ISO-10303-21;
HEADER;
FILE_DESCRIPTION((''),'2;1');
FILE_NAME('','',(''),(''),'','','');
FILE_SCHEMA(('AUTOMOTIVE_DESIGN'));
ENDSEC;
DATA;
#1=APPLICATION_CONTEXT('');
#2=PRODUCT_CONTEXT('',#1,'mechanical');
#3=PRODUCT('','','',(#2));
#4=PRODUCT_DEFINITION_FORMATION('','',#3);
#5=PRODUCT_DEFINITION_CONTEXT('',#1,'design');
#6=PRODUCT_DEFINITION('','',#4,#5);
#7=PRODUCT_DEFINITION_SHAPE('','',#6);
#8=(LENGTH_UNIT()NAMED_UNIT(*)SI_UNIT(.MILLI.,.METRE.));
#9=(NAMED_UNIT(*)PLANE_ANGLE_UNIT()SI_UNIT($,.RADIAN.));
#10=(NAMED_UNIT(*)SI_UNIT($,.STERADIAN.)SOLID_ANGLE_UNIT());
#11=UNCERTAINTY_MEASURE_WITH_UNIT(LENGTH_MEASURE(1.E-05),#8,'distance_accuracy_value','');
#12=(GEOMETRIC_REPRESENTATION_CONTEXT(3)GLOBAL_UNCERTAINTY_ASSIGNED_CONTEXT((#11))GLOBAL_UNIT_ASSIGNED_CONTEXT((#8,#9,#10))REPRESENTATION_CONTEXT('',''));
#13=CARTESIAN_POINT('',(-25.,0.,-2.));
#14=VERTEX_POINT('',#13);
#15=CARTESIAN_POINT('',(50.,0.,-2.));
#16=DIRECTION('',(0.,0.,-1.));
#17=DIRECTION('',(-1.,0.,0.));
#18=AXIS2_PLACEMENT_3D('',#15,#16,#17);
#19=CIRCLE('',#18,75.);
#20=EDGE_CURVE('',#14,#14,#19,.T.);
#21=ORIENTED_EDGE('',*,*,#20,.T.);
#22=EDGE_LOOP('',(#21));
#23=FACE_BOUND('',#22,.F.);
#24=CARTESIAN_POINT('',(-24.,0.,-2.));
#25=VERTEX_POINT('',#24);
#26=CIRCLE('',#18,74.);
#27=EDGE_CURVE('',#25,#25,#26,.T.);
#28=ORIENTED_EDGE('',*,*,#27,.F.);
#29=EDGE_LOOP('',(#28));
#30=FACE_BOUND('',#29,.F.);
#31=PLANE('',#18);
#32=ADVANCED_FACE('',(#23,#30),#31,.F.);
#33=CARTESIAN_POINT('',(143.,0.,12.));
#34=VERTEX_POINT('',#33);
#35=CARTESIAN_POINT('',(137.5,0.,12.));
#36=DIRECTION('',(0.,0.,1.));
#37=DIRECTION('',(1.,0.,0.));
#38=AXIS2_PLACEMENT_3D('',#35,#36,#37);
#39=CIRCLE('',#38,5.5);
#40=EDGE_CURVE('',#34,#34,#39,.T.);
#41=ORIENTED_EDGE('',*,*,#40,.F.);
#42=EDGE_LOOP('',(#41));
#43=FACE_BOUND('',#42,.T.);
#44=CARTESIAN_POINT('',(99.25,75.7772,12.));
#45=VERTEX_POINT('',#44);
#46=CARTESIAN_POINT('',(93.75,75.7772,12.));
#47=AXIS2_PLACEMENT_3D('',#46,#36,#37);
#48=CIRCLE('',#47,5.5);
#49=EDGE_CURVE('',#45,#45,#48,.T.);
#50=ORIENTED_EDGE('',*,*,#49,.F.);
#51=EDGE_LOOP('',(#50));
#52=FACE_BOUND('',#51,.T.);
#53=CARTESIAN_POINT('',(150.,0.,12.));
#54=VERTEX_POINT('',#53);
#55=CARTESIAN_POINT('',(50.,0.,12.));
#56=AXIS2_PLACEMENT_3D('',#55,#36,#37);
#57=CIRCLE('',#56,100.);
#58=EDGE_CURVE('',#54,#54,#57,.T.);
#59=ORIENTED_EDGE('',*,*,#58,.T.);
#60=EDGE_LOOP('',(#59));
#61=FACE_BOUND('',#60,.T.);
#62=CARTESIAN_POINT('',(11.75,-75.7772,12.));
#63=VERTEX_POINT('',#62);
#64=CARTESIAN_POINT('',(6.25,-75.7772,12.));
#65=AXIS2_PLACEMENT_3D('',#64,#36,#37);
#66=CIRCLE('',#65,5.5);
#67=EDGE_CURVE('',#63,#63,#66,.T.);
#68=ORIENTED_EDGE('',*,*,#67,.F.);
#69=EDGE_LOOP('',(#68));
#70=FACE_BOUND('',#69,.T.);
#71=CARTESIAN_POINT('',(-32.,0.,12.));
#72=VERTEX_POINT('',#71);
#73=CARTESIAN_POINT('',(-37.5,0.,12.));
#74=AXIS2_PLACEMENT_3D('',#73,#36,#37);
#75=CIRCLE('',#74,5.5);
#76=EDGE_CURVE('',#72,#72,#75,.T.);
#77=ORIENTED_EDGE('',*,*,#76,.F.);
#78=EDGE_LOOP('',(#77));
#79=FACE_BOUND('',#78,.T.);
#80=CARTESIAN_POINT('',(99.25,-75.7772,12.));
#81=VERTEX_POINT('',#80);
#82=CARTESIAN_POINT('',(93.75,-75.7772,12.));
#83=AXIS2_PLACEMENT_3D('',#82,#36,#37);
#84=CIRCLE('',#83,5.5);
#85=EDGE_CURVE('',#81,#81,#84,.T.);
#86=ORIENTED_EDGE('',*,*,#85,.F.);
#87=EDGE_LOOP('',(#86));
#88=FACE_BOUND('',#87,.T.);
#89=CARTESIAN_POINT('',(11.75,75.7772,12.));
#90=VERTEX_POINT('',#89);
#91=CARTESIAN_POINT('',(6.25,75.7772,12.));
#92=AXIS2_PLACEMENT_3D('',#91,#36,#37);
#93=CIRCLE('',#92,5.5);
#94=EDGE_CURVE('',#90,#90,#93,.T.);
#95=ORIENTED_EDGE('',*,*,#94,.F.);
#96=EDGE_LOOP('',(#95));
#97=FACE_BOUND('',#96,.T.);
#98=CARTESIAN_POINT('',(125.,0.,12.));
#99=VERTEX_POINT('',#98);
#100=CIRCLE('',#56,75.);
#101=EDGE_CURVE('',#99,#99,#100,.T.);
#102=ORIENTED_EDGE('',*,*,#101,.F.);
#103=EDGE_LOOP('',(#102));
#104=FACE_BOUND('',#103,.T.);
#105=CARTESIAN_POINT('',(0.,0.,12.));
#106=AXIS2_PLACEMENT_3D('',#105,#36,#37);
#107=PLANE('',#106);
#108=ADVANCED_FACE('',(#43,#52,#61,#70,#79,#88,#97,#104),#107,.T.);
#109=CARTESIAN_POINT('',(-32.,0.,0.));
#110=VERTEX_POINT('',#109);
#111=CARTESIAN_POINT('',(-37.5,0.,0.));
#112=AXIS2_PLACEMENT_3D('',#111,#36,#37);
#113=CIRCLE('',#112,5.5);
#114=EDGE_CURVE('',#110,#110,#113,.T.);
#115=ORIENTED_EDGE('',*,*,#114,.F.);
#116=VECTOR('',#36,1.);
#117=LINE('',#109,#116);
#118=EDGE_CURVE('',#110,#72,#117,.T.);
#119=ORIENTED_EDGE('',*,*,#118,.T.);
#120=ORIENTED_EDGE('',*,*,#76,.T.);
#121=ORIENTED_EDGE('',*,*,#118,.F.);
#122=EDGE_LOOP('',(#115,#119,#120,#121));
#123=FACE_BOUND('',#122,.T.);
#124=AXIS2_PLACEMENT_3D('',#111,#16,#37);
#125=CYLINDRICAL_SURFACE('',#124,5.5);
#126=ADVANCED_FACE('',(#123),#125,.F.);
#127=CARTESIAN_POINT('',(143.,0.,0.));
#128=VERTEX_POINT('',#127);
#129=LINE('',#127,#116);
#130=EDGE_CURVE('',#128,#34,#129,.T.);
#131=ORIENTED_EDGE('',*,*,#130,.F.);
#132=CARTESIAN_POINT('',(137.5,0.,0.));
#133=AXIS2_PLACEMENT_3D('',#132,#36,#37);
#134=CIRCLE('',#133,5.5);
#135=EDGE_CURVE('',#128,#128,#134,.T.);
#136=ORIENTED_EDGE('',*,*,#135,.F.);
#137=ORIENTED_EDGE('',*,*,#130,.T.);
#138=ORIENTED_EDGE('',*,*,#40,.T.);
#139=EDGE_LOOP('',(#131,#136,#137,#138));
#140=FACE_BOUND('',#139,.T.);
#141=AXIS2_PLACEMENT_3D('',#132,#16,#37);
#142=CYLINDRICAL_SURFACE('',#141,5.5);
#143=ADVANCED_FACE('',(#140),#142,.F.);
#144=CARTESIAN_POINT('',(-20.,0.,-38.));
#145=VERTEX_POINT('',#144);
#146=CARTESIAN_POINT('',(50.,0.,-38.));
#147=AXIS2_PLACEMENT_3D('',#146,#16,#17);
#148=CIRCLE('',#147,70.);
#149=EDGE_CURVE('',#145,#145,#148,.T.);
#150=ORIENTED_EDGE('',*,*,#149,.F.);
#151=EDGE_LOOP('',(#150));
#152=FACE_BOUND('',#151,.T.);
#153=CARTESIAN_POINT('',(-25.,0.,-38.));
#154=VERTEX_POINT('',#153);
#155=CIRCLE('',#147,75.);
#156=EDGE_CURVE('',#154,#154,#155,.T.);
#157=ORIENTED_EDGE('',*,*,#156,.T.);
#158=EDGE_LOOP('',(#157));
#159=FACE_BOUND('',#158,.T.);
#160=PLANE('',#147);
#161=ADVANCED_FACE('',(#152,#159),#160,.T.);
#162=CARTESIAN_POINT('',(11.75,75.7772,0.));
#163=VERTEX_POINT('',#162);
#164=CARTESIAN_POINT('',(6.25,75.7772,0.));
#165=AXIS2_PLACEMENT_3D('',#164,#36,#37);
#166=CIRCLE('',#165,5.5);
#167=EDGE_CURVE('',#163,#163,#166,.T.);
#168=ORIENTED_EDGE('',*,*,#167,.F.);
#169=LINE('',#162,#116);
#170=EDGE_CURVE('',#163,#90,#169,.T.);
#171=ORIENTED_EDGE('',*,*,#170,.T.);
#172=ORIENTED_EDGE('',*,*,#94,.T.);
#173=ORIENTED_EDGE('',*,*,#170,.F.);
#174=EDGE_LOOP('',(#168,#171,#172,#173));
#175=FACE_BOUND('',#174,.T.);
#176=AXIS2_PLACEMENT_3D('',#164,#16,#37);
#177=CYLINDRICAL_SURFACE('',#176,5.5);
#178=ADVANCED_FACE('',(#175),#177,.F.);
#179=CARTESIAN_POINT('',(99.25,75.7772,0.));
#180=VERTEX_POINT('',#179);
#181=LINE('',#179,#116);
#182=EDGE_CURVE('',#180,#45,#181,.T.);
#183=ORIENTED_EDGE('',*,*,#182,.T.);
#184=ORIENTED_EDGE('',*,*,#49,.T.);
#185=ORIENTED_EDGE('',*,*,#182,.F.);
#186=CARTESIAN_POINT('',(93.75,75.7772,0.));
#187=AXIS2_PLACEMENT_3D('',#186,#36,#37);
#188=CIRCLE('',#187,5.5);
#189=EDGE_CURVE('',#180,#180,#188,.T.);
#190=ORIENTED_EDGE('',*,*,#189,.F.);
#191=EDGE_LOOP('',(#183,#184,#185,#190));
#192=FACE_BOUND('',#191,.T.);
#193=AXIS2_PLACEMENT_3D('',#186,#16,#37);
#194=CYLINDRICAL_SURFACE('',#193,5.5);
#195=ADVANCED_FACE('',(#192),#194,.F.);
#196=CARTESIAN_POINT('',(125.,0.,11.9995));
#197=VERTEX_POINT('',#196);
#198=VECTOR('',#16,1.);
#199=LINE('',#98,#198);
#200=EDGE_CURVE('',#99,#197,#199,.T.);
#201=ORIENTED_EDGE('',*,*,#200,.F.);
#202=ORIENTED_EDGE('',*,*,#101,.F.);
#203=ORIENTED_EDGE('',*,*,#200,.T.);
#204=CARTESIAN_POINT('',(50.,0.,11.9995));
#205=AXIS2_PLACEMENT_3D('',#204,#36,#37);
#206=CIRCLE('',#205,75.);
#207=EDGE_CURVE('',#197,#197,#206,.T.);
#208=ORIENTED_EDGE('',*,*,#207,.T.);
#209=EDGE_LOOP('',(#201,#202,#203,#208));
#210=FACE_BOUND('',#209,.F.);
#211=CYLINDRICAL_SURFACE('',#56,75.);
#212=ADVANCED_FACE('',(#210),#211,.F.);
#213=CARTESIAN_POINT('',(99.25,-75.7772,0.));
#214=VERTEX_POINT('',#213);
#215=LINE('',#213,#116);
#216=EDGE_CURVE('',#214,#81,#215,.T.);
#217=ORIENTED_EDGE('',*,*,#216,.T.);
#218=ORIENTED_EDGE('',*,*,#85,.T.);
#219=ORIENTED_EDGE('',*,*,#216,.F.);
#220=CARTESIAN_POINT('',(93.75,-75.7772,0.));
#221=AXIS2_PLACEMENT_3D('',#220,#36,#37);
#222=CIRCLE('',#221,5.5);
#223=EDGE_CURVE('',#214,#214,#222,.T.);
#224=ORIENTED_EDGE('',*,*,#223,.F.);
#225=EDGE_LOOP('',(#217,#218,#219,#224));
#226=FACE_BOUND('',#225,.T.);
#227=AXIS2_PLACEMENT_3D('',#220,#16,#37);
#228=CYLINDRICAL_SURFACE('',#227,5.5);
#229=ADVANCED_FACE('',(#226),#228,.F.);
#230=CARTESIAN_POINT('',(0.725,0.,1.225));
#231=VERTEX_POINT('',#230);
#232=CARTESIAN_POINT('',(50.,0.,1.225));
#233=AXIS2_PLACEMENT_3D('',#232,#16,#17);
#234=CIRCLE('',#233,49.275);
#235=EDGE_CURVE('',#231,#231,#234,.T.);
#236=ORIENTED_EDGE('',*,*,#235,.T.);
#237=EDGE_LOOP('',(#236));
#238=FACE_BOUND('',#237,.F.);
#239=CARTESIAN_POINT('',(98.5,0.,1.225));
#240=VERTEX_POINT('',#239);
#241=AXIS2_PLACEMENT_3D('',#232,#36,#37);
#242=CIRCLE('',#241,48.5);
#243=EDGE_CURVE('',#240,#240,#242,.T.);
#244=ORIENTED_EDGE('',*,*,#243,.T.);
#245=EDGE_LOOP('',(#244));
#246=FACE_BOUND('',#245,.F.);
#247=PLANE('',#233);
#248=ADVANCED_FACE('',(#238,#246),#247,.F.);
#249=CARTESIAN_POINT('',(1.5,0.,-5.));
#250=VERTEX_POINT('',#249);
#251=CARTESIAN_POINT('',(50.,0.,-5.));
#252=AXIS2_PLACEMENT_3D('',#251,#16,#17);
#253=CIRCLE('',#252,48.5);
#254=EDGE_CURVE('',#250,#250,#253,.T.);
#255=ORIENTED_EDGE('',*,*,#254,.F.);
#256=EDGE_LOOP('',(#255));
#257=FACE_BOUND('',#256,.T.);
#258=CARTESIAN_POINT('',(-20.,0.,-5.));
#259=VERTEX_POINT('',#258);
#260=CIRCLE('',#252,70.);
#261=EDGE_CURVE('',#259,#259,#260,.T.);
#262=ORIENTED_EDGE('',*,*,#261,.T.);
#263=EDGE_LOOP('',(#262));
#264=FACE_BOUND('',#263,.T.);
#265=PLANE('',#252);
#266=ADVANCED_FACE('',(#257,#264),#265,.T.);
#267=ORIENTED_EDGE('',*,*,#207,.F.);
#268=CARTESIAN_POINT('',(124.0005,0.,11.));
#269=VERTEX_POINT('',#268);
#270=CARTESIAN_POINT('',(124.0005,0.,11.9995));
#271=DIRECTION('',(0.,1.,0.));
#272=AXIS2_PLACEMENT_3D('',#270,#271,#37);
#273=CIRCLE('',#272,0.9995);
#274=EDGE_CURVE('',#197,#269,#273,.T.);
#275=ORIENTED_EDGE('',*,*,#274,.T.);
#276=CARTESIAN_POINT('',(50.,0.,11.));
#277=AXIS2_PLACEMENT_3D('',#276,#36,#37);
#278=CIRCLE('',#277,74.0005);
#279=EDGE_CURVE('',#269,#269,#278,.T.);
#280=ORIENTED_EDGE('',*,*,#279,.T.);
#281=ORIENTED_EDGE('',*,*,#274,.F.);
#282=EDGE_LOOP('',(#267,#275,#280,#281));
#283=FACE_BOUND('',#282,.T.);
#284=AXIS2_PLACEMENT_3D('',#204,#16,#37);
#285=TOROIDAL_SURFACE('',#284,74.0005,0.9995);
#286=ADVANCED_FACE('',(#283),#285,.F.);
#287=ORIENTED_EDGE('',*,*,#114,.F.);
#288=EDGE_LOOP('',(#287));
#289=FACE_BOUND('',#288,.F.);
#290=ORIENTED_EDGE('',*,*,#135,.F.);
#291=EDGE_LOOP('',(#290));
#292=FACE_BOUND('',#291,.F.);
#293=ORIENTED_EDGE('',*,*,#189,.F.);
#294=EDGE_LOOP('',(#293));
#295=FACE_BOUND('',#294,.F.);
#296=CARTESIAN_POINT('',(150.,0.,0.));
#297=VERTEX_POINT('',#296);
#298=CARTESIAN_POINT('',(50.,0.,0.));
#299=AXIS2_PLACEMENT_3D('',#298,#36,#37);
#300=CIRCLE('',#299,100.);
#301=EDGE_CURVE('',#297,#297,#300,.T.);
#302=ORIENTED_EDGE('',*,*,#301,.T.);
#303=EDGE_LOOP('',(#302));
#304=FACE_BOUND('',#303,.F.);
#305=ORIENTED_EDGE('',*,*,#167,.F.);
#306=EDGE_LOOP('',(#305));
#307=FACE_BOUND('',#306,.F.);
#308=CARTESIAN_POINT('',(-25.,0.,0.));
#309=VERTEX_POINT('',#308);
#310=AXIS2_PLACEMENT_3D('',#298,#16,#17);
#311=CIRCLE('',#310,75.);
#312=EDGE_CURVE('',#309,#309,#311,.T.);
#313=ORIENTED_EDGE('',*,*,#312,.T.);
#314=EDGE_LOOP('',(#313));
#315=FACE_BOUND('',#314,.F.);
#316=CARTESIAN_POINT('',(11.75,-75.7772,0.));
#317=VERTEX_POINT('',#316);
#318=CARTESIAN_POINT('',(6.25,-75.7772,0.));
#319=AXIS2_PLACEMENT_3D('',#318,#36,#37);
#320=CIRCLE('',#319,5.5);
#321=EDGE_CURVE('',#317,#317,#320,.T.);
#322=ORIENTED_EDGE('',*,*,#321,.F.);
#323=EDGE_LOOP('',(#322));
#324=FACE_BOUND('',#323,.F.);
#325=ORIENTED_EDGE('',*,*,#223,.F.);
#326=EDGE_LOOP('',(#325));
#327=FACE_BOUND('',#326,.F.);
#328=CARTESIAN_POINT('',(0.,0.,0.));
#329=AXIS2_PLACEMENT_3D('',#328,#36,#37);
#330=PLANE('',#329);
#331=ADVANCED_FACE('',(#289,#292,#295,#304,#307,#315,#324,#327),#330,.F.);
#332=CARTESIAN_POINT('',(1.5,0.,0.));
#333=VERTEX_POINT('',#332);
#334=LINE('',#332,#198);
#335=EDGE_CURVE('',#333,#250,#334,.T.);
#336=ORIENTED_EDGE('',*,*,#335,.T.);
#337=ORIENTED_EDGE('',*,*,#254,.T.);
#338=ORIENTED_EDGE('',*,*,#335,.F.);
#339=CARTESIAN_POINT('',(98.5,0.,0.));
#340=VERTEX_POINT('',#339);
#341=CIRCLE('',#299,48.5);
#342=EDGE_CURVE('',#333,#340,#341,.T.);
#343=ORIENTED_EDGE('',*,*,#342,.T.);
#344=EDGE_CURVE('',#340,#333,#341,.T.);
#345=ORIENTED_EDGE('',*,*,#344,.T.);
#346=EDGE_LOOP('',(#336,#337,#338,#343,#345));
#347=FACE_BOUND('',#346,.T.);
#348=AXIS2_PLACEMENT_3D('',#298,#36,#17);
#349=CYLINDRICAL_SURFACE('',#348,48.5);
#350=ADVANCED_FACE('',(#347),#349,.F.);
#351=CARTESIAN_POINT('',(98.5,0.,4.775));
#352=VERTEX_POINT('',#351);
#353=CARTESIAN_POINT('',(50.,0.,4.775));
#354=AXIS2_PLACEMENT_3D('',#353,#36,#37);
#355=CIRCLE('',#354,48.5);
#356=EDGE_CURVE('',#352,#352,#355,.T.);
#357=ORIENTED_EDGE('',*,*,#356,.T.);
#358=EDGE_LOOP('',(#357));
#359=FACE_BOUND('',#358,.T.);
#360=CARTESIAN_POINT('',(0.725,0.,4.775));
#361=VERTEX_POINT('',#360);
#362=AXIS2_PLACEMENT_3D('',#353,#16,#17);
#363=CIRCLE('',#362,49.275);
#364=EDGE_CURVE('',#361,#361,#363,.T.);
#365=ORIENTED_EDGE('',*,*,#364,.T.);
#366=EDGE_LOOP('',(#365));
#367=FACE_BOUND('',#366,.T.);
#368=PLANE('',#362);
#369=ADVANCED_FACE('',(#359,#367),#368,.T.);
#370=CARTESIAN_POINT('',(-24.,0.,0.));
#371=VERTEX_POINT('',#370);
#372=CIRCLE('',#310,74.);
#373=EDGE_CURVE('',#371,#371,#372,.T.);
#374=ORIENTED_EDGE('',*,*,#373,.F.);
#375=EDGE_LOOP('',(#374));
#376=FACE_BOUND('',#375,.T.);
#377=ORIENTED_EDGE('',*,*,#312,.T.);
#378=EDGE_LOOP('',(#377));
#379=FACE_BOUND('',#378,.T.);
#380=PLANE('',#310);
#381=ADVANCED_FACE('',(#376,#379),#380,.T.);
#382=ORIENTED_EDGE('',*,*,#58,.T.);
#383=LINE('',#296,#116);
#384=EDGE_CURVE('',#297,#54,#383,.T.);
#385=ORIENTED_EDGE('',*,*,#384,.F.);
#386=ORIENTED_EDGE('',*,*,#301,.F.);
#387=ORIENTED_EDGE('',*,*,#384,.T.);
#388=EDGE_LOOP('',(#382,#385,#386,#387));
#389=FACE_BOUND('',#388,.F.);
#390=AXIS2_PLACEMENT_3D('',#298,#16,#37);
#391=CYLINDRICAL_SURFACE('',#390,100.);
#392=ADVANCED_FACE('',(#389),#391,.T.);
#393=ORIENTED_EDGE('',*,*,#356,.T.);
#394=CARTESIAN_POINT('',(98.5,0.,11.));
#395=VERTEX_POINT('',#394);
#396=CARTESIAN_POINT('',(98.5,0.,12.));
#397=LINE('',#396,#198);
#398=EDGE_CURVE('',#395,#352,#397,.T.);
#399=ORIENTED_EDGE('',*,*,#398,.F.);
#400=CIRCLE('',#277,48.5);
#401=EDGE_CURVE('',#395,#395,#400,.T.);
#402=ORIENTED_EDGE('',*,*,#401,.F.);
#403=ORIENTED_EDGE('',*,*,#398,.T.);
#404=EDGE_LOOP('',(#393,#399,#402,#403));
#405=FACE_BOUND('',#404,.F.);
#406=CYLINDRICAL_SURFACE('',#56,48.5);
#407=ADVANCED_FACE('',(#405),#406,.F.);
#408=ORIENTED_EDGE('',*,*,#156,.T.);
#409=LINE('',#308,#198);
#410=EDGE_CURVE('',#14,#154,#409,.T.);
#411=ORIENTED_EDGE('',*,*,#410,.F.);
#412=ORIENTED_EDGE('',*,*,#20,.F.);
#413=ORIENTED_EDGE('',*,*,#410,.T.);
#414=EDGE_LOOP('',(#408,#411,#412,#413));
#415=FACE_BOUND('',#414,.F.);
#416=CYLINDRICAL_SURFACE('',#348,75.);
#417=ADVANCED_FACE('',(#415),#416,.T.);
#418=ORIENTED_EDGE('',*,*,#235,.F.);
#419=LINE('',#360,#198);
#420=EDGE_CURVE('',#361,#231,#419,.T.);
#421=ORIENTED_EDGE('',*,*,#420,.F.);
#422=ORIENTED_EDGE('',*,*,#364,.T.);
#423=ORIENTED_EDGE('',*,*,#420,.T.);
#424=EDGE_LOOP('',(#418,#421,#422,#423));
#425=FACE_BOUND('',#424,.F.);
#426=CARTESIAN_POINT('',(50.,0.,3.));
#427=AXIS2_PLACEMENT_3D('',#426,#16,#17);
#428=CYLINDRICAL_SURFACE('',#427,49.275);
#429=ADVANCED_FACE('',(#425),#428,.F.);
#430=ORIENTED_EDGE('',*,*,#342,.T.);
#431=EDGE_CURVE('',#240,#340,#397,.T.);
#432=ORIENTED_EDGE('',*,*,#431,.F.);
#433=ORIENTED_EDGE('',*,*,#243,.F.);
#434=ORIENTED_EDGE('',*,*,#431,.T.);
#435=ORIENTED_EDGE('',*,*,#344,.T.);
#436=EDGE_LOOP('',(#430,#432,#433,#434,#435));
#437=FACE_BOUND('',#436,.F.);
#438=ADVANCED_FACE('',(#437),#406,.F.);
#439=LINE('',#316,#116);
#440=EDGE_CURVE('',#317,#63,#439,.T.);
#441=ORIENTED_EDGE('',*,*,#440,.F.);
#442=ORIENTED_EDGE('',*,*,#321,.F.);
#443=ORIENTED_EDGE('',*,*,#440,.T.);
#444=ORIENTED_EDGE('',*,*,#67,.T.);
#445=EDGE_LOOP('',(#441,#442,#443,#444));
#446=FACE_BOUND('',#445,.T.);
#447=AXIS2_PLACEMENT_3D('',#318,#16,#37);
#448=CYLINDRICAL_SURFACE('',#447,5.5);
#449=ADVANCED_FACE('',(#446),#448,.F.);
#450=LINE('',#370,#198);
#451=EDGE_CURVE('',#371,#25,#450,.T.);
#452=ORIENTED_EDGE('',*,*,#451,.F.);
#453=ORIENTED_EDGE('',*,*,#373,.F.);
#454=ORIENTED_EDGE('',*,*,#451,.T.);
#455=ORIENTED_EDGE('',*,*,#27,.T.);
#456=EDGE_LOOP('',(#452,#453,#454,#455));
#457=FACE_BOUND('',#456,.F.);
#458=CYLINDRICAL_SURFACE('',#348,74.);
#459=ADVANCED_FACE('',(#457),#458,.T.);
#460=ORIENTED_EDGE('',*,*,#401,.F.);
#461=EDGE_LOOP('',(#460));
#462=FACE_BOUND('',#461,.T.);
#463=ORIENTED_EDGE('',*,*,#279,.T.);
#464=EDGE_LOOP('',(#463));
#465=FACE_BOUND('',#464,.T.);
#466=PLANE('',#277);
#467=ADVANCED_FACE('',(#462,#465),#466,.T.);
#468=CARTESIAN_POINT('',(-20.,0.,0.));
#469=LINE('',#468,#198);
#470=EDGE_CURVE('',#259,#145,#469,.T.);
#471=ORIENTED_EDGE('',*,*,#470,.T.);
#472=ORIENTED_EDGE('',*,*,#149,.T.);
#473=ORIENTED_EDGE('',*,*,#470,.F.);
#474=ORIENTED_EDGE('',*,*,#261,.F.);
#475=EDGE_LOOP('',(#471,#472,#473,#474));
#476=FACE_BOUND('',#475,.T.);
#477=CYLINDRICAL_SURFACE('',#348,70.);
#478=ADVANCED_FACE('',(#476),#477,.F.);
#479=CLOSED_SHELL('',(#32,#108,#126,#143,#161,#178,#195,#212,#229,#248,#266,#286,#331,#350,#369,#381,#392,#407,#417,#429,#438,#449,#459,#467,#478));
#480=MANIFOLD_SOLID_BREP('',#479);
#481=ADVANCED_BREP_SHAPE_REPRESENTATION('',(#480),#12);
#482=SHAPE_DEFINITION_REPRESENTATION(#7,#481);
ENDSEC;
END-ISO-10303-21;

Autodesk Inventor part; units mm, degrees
ref_plane "YZ Plane" through (0, 0, 0) normal (1, 0, 0) x (0, 1, 0)
ref_plane "工作平面1" through (0, 0, 0) normal (0, 0, 1) x (1, 0, 0)
sketch "草图1" plane through (0, 0, 0) normal (0, 0, 1) x (1, 0, 0)
  arc A0 (50, 75) -> (50, -75) centre (50, 0) ccw construction
  line L0 (50, 75) -> (50, 100) construction
  arc A1 (50, 100) -> (50, -100) centre (50, 0) ccw construction
  line L1 (50, -100) -> (50, -75) construction
  circle A2 centre (50, 0) radius 100
  circle A3 centre (50, 0) radius 87.5 construction
  line L2 (190.8101, 0) -> (-90.8101, 0) construction
  circle A4 centre (137.5, 0) radius 5.5
  circle A5 centre (93.75, 75.7772) radius 5.5
  circle A6 centre (6.25, 75.7772) radius 5.5
  circle A7 centre (-37.5, 0) radius 5.5
  circle A8 centre (6.25, -75.7772) radius 5.5
  circle A9 centre (93.75, -75.7772) radius 5.5
  point P0 (0, 0)
  dimension "d0" = 175
  dimension "d1" = 11
  dimension "d4" = 360
extrude "拉伸1" add sketch "草图1" along normal blind 12
sketch "草图2" plane through (50, 0, 12) normal (0, 0, 1) x (1, 0, 0)
  circle A0 centre (0, 0) radius 48 construction
  circle A1 centre (0, 0) radius 48.5
  point P0 (-50, 0)
  dimension "d19" = 97
extrude "拉伸2" cut sketch "草图2" against normal up to surface (12 mm away)
sketch "草图3" plane through (50, 0, 0) normal (0, 0, -1) x (-1, 0, 0)
  circle A0 centre (0, 0) radius 100 projected
  circle A1 centre (0, 0) radius 75
  circle A2 centre (0, 0) radius 70
  point P0 (50, 0)
  dimension "d11" = 150
  dimension "d12" = 140
extrude "拉伸3" add sketch "草图3" along normal blind 38 contours A1
sketch "草图4" plane through (50, 0, 12) normal (0, 0, 1) x (1, 0, 0)
  circle A0 centre (0, 0) radius 48.5 construction
  circle A1 centre (0, 0) radius 75
  point P0 (-50, 0)
  dimension "d15" = 150
extrude "拉伸4" cut sketch "草图4" against normal blind 1
fillet "圆角1" radius 1 1 edges at (-25, 0, 11)
sketch "草图5" plane through (50, 0, 0) normal (0, 0, -1) x (-1, 0, 0)
  circle A0 centre (0, 0) radius 70 projected
  circle A1 centre (0, 0) radius 48.5 projected
  point P0 (50, 0)
extrude "拉伸5" add sketch "草图5" along normal blind 5
ref_plane "工作平面2" through (50, 0, 3) normal (0, 0, -1) x (-1, 0, 0)
sketch "草图6" plane through (50, 0, 3) normal (0, 0, -1) x (-1, 0, 0)
  circle A0 centre (0, 0) radius 48.5 construction
  circle A1 centre (0, 0) radius 49.275
  point P0 (50, 0)
  dimension "d22" = 98.55
extrude "拉伸6" cut sketch "草图6" against normal mid plane 3.55
sketch "草图7" plane through (50, 0, 0) normal (0, 0, -1) x (-1, 0, 0)
  circle A0 centre (0, 0) radius 48.5 construction
  circle A1 centre (0, 0) radius 75 projected
  circle A2 centre (0, 0) radius 74
  point P0 (50, 0)
  dimension "d25" = 1
extrude "拉伸7" cut sketch "草图7" along normal blind 2
properties part number "轴承通盖"
